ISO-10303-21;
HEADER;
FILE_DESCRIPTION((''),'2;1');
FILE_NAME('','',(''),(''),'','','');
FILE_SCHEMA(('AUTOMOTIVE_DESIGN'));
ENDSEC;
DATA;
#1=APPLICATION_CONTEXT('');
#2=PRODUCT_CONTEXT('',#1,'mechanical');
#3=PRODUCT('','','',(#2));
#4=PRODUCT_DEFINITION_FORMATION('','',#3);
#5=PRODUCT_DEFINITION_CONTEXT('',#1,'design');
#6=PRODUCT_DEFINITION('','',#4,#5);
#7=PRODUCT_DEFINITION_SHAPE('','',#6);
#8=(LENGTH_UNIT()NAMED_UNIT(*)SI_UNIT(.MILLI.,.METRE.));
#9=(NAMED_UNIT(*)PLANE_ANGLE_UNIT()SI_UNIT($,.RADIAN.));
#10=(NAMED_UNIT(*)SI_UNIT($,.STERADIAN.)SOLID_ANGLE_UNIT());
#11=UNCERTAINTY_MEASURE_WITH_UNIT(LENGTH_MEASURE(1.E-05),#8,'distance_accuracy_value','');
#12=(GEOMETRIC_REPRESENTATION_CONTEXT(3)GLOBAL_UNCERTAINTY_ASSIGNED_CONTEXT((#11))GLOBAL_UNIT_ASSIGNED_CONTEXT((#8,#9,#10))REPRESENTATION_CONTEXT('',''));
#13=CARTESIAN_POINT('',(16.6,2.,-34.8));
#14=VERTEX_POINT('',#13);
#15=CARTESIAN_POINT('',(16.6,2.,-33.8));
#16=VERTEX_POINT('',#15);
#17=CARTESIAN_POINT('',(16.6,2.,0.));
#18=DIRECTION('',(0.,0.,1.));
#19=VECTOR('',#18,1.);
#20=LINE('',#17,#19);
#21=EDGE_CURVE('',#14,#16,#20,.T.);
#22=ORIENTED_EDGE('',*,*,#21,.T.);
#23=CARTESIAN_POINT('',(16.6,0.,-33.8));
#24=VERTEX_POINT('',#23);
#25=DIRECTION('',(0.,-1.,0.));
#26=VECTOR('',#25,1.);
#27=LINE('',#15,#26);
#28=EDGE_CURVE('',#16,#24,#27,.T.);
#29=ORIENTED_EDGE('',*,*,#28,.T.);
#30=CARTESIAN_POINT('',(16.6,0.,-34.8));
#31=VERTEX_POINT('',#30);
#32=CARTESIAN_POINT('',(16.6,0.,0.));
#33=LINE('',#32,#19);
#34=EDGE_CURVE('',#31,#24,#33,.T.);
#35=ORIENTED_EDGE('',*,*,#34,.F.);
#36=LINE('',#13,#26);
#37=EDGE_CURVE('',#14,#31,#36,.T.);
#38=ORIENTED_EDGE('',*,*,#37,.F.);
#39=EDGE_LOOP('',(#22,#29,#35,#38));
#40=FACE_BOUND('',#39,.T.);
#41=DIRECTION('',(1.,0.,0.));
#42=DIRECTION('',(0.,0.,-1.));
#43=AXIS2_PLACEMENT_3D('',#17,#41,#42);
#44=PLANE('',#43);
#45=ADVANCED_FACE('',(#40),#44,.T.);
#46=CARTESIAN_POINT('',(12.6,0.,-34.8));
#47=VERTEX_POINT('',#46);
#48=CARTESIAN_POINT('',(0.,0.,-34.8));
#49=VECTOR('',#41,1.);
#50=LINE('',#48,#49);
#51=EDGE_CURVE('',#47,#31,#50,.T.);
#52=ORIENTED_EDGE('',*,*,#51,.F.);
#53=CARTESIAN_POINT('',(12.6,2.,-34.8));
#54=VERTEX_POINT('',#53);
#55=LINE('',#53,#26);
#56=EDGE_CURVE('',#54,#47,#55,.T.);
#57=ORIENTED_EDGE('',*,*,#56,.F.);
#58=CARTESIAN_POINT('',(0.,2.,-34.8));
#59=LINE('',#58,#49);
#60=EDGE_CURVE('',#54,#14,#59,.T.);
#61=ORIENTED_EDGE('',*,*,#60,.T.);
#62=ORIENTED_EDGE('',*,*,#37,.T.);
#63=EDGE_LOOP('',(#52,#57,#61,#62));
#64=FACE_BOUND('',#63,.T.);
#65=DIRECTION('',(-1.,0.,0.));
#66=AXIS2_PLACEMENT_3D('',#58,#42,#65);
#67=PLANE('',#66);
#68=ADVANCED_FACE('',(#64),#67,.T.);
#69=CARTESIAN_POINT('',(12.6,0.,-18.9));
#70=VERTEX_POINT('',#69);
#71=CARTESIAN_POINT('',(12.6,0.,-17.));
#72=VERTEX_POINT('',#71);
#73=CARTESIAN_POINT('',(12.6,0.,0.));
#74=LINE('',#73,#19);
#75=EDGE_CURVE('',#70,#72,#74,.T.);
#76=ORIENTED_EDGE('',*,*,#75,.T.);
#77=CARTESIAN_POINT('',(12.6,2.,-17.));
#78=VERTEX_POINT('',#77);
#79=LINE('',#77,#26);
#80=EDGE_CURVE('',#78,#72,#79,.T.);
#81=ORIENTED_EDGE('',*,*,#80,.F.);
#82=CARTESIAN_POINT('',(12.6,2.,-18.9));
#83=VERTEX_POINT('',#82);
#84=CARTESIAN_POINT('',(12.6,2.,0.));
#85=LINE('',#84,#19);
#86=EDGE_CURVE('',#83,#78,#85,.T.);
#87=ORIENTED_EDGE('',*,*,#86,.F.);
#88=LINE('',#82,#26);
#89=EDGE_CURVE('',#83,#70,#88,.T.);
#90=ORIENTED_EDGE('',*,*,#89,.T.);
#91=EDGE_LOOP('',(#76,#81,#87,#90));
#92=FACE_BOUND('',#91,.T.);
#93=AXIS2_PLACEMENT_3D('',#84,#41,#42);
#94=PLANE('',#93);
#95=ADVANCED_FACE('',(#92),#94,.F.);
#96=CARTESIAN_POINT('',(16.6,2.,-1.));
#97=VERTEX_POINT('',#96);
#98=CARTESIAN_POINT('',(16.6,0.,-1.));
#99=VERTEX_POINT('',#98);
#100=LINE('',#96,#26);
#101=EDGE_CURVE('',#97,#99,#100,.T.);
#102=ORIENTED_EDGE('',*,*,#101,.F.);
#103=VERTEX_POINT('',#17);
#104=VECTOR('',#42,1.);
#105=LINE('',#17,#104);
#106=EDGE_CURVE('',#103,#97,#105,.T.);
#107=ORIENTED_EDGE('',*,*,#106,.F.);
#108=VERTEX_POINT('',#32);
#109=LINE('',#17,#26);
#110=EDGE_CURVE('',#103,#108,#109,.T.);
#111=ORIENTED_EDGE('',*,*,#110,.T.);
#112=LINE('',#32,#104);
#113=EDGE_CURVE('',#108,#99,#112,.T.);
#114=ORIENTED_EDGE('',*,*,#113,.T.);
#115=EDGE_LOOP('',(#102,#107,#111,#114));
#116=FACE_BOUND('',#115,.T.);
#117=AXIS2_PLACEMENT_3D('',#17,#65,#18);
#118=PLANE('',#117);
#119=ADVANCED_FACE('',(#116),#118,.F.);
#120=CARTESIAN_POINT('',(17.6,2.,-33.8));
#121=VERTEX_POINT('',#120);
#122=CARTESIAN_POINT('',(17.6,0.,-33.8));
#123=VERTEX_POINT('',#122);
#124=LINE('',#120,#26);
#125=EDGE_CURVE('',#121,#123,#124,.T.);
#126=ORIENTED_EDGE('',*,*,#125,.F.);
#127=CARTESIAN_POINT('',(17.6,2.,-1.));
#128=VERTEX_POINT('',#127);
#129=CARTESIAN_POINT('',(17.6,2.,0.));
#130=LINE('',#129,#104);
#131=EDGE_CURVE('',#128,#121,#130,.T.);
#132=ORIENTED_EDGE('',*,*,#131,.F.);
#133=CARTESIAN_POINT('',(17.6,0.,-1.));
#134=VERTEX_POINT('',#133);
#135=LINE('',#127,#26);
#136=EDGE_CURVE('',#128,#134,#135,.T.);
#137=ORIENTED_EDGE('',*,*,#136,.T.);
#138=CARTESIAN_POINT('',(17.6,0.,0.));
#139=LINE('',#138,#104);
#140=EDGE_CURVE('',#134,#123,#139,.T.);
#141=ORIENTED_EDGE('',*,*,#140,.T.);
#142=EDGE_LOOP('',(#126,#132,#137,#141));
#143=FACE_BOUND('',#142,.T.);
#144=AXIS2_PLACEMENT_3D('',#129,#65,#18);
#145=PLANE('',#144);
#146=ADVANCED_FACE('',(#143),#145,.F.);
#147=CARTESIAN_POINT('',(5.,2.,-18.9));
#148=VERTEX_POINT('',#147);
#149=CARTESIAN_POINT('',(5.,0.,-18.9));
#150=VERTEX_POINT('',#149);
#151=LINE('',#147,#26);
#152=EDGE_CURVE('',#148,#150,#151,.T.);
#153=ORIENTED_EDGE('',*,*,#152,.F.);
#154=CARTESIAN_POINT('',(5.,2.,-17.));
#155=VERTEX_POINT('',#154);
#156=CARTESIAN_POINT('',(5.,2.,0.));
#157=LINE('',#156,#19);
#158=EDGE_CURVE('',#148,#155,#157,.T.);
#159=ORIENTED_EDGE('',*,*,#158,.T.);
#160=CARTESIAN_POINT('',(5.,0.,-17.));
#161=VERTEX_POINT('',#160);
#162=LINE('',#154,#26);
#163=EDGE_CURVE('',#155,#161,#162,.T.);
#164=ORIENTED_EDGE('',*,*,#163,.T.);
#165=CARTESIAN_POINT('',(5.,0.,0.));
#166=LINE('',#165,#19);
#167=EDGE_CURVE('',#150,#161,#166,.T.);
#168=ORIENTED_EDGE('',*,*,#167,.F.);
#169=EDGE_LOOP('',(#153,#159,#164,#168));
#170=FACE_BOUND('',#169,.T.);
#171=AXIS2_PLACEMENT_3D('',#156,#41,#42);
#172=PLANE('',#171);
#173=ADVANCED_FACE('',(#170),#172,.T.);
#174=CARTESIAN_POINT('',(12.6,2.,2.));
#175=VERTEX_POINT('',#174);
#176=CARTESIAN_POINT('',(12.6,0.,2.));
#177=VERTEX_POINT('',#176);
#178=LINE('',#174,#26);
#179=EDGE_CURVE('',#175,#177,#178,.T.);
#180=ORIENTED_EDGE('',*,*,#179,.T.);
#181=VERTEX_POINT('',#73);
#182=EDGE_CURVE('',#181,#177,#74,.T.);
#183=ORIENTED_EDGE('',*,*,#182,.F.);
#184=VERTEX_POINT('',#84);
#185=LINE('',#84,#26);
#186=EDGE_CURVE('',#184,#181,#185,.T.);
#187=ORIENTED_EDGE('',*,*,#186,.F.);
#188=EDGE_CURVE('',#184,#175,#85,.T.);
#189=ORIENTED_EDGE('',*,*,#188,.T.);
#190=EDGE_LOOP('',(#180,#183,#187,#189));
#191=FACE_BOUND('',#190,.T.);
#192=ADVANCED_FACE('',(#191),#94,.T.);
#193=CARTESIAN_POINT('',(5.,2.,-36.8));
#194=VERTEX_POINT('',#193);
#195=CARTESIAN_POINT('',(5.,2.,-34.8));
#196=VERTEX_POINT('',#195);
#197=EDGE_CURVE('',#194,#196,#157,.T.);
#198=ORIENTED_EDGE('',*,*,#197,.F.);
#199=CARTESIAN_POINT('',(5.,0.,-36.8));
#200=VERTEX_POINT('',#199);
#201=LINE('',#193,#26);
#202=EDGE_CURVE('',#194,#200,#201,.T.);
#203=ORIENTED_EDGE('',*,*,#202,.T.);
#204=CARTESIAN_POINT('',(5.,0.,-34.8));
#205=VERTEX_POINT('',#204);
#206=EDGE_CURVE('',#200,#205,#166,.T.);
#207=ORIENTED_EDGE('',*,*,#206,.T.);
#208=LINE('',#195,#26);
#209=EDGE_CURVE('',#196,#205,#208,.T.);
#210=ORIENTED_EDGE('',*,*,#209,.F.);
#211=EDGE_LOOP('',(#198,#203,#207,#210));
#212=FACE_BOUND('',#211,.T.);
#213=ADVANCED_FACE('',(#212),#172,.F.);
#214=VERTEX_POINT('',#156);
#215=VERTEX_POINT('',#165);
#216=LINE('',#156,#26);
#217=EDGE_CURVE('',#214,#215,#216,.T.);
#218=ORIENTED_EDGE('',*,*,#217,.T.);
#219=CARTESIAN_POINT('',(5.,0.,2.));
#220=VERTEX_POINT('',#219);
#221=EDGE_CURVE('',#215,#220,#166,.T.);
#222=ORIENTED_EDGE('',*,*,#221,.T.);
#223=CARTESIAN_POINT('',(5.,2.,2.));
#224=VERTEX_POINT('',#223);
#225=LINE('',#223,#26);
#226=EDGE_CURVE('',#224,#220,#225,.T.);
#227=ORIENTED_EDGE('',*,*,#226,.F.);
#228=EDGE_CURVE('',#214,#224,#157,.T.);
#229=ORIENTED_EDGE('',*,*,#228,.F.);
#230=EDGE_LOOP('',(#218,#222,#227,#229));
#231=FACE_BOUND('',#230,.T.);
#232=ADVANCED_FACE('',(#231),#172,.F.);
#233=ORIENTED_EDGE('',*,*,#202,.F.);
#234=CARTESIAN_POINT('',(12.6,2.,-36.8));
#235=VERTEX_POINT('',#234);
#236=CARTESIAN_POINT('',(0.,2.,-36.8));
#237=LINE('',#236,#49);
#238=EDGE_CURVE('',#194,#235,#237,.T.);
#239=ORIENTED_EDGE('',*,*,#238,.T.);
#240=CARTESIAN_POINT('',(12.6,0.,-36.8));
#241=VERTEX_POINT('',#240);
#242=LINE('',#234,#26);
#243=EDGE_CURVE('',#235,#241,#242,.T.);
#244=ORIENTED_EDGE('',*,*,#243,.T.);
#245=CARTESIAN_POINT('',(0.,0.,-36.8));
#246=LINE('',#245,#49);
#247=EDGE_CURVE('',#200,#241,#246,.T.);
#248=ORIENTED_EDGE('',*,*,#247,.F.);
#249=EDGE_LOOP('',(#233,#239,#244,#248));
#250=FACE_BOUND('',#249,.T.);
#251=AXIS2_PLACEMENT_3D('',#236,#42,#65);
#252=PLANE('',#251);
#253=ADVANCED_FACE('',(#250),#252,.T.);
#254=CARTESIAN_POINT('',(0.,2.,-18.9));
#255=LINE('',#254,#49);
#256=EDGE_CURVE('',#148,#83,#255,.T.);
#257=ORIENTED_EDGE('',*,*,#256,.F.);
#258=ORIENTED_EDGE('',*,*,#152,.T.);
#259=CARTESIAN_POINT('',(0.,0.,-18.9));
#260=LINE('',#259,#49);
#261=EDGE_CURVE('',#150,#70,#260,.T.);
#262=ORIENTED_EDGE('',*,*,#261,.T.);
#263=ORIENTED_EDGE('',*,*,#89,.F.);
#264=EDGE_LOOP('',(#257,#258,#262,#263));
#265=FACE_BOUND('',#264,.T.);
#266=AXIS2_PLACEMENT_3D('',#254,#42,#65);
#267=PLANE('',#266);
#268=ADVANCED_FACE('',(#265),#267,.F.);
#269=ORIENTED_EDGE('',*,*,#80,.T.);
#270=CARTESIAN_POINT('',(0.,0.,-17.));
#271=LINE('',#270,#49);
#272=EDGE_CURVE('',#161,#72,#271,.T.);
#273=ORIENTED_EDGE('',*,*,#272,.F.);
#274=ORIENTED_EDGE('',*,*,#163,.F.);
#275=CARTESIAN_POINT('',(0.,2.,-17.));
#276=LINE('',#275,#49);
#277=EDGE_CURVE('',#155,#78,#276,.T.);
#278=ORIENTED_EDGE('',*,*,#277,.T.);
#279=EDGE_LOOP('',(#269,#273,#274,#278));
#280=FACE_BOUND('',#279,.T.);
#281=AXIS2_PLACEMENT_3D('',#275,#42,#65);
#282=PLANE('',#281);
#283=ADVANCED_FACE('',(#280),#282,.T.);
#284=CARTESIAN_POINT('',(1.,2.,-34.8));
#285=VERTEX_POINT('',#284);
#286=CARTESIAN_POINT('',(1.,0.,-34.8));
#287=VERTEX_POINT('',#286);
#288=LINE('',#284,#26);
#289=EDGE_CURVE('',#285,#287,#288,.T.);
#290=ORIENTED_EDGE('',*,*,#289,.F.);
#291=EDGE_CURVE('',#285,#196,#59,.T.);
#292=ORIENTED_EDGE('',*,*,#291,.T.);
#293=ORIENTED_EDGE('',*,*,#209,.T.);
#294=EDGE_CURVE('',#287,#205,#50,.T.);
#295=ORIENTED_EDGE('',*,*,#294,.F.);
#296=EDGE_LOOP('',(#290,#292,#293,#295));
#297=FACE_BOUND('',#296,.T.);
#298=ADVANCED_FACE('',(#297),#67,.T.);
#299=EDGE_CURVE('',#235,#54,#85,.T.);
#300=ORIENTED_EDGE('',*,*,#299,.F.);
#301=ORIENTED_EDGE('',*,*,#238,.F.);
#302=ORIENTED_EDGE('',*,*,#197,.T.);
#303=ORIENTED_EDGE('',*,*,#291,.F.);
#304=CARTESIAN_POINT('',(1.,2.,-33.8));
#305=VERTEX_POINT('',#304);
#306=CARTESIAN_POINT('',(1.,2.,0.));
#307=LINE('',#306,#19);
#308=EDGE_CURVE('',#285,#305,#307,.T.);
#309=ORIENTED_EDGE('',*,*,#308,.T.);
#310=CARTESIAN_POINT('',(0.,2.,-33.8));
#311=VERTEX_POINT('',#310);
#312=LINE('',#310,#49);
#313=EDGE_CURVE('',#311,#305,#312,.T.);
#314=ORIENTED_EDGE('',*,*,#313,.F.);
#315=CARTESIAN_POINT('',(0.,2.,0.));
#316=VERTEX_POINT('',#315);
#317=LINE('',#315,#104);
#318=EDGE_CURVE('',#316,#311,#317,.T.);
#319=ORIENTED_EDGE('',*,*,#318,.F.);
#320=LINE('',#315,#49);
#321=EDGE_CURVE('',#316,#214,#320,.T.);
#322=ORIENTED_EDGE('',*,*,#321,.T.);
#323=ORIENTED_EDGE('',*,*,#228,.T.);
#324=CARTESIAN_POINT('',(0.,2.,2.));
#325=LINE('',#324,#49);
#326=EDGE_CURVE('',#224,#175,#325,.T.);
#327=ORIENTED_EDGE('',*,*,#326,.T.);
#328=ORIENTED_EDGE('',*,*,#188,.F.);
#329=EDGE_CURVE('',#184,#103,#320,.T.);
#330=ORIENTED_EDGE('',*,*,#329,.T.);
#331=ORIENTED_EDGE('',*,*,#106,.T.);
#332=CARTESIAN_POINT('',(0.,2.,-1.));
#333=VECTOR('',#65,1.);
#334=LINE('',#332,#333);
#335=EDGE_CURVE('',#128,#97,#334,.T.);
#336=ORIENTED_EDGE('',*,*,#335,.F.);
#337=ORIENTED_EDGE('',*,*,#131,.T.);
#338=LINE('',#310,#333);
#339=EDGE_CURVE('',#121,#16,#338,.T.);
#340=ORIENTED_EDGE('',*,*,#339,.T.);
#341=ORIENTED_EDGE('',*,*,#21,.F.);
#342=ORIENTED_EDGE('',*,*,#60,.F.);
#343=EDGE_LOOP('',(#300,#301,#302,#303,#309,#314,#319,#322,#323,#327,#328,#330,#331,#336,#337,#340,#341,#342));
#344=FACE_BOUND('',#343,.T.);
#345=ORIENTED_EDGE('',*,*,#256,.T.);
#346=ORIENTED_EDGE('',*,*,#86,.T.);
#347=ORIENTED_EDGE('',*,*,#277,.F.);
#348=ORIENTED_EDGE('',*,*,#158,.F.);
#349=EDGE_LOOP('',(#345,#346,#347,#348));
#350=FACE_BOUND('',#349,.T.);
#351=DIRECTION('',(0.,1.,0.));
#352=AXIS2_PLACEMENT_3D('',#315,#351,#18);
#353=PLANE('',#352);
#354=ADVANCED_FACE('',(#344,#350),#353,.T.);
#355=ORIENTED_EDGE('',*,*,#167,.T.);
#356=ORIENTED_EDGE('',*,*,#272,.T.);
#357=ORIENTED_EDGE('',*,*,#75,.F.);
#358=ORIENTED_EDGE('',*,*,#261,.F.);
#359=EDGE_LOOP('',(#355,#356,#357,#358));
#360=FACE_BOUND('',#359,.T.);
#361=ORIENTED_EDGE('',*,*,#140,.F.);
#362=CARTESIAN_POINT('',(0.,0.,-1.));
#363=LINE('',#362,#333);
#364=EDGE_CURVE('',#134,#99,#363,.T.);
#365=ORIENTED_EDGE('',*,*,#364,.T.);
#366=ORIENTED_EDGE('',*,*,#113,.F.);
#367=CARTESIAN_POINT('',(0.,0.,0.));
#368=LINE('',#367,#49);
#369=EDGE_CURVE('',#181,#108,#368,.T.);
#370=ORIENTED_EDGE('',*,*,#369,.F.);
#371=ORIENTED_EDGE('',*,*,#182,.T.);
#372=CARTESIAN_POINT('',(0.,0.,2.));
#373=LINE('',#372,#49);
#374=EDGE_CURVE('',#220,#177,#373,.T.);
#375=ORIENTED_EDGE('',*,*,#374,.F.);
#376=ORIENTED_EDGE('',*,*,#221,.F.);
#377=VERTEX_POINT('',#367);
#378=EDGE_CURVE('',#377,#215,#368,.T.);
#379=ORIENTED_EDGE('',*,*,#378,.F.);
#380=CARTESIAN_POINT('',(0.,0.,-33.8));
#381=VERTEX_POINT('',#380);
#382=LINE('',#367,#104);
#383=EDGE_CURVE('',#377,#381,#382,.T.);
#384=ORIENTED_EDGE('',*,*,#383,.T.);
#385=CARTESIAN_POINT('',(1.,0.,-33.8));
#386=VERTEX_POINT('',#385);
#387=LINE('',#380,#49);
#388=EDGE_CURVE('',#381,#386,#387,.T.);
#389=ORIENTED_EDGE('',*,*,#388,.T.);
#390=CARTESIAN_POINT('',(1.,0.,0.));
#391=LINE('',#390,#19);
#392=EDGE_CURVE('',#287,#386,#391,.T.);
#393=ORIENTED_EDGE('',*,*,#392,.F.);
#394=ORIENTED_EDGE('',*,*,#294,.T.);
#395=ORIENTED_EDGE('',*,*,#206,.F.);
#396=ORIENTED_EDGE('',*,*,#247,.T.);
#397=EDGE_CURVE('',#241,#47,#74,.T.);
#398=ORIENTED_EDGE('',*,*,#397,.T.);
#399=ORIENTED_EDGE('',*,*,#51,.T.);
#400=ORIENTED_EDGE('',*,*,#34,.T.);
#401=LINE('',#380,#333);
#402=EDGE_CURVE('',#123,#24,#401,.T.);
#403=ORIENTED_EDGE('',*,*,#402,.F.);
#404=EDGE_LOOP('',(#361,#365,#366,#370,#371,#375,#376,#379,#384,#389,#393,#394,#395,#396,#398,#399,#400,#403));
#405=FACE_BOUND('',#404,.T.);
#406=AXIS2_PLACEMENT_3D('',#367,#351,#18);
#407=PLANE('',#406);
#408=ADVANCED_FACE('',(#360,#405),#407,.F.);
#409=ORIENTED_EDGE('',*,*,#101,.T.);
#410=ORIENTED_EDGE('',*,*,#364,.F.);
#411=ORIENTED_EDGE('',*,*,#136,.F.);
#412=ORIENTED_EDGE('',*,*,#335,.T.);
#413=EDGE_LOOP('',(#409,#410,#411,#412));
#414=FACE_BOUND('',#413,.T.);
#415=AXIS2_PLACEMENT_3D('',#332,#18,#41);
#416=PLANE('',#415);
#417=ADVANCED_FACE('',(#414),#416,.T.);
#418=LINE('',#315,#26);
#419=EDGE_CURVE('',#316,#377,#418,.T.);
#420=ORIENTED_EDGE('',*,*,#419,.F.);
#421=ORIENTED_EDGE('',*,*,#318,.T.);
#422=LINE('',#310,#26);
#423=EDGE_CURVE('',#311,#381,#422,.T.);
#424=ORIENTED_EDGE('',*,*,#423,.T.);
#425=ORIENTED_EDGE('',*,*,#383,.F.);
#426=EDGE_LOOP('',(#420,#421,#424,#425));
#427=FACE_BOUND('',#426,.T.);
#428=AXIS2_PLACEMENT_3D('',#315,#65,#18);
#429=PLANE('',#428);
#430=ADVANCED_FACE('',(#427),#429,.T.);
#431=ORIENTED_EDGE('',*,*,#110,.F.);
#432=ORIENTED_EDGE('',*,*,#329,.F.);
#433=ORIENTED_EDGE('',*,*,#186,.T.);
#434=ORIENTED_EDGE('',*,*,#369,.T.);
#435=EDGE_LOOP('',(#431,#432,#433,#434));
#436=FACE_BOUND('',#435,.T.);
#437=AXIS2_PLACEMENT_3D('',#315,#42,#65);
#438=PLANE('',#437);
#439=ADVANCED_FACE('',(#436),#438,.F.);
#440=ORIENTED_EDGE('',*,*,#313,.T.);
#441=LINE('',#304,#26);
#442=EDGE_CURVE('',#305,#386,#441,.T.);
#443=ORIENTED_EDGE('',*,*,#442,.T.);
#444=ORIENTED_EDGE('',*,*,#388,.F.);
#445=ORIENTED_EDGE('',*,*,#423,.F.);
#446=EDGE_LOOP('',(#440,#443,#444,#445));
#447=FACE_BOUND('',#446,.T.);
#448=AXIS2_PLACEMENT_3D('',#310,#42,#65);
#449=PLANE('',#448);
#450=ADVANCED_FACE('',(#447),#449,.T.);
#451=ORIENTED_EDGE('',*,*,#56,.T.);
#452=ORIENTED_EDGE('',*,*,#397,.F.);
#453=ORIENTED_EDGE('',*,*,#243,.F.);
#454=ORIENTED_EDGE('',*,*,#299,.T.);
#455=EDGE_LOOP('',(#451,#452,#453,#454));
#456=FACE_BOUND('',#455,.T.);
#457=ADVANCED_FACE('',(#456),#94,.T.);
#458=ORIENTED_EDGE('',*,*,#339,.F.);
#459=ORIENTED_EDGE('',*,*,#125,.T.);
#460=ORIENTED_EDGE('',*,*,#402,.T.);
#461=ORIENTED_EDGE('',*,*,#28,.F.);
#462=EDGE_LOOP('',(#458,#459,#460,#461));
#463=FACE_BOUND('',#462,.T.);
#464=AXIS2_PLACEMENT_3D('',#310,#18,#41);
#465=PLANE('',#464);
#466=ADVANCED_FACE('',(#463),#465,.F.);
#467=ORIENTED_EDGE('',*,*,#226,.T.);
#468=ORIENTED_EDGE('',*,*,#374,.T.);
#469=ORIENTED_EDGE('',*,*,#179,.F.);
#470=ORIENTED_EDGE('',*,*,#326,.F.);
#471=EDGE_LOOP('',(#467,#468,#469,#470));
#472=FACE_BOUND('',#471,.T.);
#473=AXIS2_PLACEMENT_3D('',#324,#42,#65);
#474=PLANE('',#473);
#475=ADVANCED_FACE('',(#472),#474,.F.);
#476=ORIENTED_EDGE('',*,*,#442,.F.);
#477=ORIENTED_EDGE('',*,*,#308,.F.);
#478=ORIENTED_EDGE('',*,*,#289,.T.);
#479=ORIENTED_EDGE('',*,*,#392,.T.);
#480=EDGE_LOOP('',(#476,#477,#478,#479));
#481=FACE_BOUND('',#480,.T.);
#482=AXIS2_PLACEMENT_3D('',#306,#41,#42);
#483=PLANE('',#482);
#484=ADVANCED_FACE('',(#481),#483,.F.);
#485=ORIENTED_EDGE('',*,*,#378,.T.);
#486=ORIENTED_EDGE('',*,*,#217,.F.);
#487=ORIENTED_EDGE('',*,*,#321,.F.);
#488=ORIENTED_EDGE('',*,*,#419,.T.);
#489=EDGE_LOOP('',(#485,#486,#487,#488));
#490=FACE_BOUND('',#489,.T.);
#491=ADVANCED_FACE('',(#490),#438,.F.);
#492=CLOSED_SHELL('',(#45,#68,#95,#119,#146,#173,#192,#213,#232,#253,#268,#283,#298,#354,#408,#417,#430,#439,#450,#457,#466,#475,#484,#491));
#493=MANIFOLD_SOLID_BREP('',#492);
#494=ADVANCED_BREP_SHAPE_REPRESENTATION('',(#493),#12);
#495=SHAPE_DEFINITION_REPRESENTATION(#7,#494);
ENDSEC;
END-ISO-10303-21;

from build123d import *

# Parameters (mm, degrees)
SKETCH_1_W      = 7.6
SKETCH_1_H      = 1.9
EXTRUDE_1_DEPTH = 2


with BuildPart() as part:
    # 草图1 → 凸台-拉伸1 (new body)
    with BuildSketch(Plane(origin=(0, 0, 0), x_dir=(1, 0, 0), z_dir=(0, 1, 0))):
        Polygon((0, 33.8), (0, 0), (5, 0), (5, -2), (12.6, -2), (12.6, 0), (16.6, 0), (16.6, 1), (17.6, 1), (17.6, 33.8), (16.6, 33.8), (16.6, 34.8), (12.6, 34.8), (12.6, 36.8), (5, 36.8), (5, 34.8), (1, 34.8), (1, 33.8), align=None)
        with Locations((8.8, 17.95)):
            Rectangle(SKETCH_1_W, SKETCH_1_H, mode=Mode.SUBTRACT)
    extrude(amount=EXTRUDE_1_DEPTH)


solid = part.part
